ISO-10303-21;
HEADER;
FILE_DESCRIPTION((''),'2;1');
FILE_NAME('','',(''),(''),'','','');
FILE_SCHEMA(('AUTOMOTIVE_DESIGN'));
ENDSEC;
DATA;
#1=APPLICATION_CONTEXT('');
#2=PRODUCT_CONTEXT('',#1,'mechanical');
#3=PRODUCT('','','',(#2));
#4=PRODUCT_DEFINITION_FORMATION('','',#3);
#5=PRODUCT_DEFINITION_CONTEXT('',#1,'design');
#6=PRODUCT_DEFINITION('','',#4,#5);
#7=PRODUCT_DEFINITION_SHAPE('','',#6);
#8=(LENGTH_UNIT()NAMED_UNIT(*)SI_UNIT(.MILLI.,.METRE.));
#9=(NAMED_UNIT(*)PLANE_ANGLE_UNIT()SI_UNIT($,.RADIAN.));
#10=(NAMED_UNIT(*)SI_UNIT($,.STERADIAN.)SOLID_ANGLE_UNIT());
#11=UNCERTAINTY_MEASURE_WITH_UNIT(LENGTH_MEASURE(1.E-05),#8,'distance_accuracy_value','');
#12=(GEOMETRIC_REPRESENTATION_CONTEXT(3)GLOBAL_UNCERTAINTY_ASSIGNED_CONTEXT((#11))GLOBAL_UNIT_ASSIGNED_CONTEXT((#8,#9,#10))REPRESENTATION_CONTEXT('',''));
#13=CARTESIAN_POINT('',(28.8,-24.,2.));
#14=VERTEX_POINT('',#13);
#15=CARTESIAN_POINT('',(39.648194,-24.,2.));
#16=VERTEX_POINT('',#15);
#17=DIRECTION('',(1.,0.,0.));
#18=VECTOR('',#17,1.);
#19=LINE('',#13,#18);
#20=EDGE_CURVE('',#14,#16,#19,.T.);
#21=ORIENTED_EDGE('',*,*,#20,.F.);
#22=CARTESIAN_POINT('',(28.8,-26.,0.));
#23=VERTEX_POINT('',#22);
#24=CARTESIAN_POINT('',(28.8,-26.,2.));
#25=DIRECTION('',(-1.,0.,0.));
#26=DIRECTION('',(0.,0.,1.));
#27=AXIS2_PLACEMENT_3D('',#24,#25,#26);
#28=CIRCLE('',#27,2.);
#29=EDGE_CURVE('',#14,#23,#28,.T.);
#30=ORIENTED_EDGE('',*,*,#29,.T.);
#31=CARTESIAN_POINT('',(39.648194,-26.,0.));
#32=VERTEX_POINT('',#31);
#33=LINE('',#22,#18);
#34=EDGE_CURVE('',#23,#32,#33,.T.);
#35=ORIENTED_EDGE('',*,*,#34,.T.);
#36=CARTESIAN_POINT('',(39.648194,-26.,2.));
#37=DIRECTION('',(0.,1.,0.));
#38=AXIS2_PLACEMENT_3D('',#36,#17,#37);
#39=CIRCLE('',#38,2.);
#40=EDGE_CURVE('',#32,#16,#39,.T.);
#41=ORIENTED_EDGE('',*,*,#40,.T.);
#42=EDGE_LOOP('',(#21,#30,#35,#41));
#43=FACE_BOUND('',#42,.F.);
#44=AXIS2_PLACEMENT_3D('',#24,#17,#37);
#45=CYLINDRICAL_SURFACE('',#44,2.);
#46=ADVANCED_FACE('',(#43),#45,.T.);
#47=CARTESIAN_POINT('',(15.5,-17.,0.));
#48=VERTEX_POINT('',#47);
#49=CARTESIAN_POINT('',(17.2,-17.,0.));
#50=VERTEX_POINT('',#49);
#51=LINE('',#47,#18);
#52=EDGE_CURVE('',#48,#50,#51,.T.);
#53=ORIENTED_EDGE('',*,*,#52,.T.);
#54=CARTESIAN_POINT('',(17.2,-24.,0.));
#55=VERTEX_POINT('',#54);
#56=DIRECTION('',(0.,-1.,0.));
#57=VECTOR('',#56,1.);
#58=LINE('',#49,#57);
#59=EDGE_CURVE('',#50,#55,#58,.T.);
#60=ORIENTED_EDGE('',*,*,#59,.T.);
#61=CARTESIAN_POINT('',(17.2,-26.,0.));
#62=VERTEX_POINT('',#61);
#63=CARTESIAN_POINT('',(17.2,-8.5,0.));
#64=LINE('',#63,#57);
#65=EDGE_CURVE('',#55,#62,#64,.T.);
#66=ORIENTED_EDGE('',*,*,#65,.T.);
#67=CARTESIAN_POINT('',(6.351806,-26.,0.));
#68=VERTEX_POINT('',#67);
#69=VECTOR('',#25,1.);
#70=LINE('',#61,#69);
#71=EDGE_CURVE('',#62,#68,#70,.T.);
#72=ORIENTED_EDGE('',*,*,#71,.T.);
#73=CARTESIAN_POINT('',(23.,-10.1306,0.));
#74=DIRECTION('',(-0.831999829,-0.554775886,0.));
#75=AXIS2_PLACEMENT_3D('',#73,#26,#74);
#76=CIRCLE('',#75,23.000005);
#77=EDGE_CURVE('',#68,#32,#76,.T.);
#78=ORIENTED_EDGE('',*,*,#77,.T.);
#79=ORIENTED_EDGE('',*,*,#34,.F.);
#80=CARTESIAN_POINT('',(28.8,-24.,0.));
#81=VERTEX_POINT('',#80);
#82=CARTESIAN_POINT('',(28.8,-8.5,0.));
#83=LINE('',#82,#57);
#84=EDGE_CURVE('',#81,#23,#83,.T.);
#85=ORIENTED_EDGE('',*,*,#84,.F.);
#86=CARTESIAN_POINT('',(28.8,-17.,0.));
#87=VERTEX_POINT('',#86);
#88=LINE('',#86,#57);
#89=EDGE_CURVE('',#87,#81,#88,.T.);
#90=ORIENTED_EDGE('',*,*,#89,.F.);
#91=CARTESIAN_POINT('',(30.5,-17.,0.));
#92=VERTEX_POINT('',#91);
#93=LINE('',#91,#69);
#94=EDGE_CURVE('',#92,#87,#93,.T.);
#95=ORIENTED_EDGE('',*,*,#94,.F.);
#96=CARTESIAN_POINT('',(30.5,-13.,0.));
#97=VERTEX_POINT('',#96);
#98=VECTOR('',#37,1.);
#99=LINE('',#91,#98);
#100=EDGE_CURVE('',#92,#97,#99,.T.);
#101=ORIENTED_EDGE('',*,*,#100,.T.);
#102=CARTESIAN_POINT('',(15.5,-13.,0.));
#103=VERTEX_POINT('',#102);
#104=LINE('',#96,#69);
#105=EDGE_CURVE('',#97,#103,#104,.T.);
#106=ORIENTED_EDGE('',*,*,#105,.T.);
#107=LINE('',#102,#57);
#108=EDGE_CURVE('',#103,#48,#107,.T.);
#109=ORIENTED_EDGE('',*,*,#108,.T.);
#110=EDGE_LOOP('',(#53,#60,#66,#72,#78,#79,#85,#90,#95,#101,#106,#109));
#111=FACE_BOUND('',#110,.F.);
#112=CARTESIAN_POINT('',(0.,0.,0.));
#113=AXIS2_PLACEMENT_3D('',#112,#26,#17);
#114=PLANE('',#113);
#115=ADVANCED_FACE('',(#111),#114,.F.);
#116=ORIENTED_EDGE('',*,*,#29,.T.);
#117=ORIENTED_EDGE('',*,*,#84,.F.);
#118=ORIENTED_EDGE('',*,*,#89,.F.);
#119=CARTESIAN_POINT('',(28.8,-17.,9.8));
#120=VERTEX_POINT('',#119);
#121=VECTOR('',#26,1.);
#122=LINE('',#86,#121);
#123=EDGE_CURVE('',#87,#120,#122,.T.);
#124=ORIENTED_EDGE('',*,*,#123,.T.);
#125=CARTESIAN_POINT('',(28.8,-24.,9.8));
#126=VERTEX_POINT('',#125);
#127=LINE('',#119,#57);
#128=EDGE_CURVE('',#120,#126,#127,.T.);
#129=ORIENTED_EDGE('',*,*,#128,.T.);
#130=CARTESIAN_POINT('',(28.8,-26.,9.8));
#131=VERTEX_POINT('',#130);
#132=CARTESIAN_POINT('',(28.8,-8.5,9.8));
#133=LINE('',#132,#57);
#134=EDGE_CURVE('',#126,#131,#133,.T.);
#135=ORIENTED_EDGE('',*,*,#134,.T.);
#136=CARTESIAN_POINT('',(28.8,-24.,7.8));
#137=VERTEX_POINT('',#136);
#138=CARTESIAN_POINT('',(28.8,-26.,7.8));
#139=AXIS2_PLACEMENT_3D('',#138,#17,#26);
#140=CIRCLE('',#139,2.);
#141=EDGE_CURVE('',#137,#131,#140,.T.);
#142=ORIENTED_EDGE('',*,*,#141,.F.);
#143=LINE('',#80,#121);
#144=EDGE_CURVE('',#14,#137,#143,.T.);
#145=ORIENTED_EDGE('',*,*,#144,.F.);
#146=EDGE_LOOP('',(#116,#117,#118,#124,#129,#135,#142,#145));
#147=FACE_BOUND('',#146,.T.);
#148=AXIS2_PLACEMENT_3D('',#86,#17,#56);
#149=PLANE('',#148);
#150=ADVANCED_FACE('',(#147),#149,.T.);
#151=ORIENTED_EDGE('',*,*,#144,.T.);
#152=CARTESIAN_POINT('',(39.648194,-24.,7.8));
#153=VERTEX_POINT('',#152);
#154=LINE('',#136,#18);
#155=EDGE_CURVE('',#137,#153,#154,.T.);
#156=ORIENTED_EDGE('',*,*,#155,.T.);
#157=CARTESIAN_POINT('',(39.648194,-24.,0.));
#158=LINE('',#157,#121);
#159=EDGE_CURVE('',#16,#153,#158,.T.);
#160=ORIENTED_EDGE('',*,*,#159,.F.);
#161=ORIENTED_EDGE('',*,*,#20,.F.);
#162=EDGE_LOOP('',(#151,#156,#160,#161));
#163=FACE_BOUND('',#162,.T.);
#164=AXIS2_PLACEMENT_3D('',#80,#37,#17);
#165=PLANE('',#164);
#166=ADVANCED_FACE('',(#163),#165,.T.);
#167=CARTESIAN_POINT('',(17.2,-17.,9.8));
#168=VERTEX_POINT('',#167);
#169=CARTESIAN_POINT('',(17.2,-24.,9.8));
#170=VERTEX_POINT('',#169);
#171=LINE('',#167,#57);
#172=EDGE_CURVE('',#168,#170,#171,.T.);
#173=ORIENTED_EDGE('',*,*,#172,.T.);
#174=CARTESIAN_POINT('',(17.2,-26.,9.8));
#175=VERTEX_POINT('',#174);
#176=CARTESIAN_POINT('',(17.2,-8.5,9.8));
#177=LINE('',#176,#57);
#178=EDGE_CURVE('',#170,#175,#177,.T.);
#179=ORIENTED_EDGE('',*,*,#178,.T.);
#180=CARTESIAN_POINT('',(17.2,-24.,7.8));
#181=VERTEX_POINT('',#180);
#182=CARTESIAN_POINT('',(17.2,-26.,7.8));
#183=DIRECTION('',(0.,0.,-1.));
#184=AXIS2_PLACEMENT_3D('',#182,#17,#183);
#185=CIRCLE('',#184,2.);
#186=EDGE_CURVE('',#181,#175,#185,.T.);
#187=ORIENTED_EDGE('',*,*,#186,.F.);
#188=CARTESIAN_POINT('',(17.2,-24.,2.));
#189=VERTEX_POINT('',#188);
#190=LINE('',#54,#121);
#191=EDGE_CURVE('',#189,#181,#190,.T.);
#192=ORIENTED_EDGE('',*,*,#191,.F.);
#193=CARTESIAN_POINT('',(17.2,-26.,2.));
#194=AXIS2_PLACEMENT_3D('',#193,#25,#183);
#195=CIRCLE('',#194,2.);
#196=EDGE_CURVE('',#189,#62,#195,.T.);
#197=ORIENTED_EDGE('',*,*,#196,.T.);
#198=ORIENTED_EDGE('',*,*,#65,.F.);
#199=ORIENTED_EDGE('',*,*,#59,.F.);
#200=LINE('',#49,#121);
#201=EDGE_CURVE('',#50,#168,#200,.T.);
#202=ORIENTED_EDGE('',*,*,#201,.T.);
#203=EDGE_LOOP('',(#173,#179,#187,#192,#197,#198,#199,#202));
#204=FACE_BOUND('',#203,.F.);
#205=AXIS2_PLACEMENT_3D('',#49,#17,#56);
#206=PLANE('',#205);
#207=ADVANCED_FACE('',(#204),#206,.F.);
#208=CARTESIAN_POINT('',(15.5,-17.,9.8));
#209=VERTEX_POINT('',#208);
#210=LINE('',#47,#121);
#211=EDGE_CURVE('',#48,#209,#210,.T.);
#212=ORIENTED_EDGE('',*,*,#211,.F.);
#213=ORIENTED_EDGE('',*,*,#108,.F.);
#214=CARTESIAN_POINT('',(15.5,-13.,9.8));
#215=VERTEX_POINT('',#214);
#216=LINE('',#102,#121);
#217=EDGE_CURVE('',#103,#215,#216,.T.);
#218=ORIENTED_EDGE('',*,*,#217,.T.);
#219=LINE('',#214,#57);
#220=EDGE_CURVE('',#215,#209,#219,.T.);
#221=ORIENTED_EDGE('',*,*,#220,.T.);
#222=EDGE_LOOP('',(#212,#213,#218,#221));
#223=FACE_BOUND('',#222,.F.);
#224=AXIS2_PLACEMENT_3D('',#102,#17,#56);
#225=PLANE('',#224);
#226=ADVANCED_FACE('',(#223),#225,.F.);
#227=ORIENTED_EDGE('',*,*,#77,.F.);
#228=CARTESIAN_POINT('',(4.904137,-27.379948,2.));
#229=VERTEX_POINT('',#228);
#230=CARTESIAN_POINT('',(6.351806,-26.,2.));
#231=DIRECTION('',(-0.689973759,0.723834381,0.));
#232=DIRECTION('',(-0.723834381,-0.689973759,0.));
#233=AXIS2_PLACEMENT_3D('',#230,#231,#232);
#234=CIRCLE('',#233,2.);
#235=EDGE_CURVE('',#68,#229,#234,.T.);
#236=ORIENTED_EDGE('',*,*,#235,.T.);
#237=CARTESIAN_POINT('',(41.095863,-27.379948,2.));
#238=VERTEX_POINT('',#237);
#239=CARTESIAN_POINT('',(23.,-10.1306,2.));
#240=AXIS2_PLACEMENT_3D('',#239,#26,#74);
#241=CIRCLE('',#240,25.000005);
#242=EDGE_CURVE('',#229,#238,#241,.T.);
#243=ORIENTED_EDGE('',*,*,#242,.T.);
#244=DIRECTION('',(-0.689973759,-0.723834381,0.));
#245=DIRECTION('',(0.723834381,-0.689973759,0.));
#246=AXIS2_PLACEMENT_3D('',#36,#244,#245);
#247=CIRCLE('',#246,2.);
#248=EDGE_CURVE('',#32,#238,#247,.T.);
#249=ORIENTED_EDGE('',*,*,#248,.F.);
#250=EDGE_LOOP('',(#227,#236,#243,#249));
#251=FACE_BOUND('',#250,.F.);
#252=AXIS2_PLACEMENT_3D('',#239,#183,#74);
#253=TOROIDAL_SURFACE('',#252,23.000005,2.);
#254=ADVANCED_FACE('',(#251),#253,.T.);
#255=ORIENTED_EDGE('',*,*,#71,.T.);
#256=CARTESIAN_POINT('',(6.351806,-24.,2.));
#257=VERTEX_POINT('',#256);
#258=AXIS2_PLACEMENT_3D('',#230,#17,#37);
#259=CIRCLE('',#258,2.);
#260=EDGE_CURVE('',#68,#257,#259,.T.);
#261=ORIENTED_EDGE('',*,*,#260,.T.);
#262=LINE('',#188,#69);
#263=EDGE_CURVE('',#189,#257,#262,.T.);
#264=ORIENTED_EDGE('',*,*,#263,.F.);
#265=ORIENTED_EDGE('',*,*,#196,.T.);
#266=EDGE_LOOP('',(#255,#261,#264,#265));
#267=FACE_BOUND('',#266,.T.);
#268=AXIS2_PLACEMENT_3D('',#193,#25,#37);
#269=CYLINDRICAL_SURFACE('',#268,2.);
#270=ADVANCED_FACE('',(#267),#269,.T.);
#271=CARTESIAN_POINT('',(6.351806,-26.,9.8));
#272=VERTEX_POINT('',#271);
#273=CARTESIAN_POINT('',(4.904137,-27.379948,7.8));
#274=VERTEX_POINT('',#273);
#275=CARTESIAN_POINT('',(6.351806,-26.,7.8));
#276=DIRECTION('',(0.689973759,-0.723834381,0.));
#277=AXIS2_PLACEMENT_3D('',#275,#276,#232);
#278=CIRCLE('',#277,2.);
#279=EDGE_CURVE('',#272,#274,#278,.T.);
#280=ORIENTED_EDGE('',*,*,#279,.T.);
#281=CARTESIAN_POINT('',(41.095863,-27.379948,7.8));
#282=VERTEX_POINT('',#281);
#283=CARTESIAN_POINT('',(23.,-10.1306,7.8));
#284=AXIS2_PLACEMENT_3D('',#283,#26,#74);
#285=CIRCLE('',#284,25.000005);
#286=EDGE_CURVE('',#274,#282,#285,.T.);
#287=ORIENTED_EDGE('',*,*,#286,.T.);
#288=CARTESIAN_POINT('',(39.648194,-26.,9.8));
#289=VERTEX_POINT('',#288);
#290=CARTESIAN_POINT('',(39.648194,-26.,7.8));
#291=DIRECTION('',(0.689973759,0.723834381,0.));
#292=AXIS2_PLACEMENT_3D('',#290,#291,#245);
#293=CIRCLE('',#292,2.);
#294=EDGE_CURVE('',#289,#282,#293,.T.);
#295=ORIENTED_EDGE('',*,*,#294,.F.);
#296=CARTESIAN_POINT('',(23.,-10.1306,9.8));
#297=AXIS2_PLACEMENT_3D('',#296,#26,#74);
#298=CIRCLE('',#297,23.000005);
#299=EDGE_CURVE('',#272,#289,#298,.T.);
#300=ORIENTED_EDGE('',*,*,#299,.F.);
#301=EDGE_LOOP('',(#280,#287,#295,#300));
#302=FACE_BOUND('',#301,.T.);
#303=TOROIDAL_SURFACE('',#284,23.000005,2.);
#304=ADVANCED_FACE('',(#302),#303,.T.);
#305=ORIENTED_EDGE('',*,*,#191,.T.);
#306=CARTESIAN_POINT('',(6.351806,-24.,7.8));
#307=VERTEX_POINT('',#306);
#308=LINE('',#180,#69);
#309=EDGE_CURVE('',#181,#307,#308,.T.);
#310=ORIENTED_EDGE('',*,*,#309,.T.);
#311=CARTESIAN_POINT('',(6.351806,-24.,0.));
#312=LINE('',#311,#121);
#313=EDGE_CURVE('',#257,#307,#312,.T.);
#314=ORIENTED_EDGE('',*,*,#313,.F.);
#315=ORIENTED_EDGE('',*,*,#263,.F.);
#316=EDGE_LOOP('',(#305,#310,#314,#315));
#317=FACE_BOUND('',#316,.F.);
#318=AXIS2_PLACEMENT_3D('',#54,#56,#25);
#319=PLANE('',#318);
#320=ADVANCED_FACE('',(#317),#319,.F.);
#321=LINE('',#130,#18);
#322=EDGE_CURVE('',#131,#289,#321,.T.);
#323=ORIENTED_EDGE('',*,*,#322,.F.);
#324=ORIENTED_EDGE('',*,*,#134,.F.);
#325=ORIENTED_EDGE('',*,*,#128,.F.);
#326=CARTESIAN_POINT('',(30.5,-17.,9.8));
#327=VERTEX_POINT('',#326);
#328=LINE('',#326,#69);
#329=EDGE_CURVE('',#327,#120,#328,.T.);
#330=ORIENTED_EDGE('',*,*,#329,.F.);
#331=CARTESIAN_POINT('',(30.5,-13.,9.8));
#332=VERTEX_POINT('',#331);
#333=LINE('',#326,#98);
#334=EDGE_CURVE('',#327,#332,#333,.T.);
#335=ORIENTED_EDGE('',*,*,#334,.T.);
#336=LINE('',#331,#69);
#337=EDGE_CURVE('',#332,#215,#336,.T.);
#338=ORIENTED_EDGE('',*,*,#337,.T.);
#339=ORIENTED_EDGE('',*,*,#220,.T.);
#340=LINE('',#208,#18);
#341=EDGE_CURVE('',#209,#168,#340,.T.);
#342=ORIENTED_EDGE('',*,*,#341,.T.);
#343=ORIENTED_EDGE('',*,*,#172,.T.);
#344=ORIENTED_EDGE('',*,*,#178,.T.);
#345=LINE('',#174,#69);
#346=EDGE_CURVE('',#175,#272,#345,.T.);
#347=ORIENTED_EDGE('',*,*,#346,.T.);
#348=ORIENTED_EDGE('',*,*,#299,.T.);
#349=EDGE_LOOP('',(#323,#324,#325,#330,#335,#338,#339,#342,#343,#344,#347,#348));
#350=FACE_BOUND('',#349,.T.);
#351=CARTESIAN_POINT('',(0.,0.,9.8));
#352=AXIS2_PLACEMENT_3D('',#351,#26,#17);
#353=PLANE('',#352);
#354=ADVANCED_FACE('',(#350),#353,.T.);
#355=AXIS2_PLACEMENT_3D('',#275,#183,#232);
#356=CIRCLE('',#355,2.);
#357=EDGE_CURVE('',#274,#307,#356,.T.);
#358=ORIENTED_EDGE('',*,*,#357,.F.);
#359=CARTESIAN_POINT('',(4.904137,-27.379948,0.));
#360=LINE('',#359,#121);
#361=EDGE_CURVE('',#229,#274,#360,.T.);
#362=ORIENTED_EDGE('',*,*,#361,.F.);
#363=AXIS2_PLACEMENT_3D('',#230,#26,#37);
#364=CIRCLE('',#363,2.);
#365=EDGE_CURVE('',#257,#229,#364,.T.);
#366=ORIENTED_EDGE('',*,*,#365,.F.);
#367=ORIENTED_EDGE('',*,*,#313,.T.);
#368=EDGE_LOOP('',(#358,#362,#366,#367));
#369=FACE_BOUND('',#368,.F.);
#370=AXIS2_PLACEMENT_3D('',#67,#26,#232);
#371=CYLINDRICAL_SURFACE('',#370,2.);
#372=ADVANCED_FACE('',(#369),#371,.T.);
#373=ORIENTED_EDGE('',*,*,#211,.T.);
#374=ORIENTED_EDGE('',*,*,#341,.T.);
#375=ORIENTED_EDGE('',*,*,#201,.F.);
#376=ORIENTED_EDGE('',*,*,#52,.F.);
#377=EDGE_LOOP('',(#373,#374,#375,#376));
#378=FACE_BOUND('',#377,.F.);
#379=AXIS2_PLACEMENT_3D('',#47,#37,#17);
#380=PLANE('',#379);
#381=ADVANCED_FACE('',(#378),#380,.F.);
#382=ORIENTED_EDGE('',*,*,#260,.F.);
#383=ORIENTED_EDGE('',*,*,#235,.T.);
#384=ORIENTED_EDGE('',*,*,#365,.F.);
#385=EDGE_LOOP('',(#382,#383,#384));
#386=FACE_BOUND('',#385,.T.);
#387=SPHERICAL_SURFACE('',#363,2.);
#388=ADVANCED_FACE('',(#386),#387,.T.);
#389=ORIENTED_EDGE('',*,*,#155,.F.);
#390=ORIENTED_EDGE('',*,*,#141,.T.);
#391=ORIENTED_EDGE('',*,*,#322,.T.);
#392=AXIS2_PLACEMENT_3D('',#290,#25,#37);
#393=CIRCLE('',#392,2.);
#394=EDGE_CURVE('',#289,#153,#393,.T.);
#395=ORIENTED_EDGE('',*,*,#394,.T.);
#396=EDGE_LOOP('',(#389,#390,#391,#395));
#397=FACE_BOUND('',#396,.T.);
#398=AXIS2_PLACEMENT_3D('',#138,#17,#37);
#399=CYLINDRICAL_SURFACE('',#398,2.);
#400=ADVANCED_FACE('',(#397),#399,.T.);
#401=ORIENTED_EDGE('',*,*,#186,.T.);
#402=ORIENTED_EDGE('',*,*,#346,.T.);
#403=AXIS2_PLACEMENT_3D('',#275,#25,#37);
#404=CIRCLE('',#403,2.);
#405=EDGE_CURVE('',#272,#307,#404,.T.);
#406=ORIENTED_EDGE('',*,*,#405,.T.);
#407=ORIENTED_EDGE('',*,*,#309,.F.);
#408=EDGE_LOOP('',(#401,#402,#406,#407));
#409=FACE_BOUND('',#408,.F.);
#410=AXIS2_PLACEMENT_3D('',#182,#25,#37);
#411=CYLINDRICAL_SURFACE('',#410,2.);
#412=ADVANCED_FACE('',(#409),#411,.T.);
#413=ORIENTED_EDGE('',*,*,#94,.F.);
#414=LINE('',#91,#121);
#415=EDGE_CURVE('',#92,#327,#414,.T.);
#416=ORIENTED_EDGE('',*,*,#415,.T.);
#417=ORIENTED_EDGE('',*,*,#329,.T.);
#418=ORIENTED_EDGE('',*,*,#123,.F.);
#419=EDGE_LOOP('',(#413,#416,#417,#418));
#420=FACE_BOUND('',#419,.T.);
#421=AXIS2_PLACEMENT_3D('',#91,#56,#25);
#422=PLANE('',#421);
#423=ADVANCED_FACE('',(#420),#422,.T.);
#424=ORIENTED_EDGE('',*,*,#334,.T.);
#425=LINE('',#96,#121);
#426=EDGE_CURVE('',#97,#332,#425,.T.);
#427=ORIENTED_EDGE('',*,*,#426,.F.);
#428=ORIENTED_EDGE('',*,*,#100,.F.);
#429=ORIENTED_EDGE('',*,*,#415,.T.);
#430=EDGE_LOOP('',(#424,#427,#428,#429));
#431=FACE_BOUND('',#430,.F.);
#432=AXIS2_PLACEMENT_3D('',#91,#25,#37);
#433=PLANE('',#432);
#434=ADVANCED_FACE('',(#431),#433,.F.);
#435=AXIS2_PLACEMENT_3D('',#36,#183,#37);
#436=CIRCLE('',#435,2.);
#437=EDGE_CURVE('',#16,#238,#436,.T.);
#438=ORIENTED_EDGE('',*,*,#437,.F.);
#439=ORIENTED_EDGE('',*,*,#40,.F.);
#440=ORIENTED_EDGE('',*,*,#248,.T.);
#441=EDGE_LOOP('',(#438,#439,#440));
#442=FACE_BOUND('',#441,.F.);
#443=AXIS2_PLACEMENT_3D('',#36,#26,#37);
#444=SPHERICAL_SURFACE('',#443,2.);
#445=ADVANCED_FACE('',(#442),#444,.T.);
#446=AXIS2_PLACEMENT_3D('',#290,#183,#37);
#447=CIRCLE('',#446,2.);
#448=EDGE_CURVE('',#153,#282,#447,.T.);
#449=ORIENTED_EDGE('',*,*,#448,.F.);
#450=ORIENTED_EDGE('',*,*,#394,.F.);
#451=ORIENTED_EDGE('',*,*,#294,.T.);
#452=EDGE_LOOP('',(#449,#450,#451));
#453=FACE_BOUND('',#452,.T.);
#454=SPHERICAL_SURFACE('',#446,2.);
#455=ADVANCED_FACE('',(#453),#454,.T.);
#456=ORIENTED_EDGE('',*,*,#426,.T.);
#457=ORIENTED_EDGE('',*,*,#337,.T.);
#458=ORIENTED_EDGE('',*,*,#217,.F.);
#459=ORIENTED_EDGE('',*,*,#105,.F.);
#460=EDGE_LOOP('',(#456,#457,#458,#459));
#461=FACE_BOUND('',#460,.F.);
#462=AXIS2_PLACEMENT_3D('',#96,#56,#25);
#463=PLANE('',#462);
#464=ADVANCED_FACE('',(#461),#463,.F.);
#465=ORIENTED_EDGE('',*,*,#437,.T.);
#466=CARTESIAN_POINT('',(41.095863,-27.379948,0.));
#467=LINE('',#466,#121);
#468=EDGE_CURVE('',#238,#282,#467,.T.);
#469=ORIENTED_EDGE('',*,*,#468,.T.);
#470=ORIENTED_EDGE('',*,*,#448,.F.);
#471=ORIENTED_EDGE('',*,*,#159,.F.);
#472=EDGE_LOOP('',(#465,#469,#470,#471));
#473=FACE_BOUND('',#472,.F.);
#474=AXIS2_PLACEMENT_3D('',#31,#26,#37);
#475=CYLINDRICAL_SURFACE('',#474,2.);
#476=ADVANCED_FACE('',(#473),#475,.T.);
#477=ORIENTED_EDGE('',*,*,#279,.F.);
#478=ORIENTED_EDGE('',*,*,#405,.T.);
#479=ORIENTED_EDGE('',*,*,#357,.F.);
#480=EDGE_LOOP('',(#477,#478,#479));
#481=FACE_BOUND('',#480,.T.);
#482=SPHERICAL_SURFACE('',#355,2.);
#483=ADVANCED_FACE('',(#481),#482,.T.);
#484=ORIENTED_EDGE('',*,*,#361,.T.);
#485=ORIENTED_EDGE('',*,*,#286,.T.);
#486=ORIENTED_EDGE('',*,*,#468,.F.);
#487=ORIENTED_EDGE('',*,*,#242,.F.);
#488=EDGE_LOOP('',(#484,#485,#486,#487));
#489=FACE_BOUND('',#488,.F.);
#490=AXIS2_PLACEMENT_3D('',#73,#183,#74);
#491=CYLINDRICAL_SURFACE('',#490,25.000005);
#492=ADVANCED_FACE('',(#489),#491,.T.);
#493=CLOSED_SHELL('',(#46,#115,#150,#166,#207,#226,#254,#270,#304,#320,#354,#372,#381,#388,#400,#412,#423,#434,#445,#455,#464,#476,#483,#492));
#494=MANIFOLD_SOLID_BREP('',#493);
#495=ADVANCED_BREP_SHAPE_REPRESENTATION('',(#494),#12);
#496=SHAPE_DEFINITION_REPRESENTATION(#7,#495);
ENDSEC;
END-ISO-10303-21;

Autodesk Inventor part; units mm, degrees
ref_plane "YZ Plane" through (0, 0, 0) normal (1, 0, 0) x (0, 1, 0)
ref_plane "XZ Plane" through (0, 0, 0) normal (0, 1, 0) x (-1, 0, 0)
sketch "Sketch1" plane through (0, 0, 0) normal (0, 0, 1) x (1, 0, 0)
  line L0 (-32, -17) -> (17, -17) construction
  line L1 (17, -17) -> (17, -20) construction
  line L2 (29, -20) -> (17, -20) construction
  line L3 (29, -20) -> (29, -17) construction
  line L4 (29, -17) -> (32, -17) construction
  line L5 (32, 17) -> (-32, 17) construction
  line L6 (-32, 17) -> (-32, -17) construction
  circle A0 centre (8, 5) radius 1.65 construction
  circle A1 centre (-14.3, -5.3) radius 1.65 construction
  line L7 (-4.7576, -10.3472) -> (24.4807, -12.9053) construction
  line L8 (24.4807, -12.9053) -> (24.5243, -12.4072) construction
  line L9 (30.5, -17) -> (30.5, -13)
  line L10 (30.5, -13) -> (15.5, -13)
  line L11 (15.5, -13) -> (15.5, -17)
  line L12 (17.2, -17) -> (17.2, -24)
  line L13 (17.2, -24) -> (2.2, -24)
  line L14 (30.5, -17) -> (28.8, -17)
  line L15 (28.8, -17) -> (28.8, -24)
  line L16 (28.8, -24) -> (43.8, -24)
  line L17 (15.5, -17) -> (17.2, -17)
  arc A2 (2.2, -24) -> (43.8, -24) centre (23, -10.1306) ccw
  line L18 (32, -17) -> (32, 17) projected
  point P0 (0, 0)
  dimension "d0" = 0.2
  dimension "d1" = 0.2
  dimension "d2" = 4
  dimension "d3" = 1.7
  dimension "d4" = 1.7
  dimension "d5" = 4
  dimension "d6" = 15
  dimension "d7" = 15
  dimension "d8" = 25
ref_plane "Work Plane1" through (-35, -20, 9.99) normal (0, 0, -1) x (0, 1, 0)
extrude "Extrusion1" add sketch "Sketch1" along normal blind 9.8
fillet "Fillet1" radius 2 8 edges at (23, -35.1306, 0) (2.2, -24, 4.9) (23, -35.1306, 9.8) (43.8, -24, 4.9) (36.3, -24, 0) (9.7, -24, 0) (9.7, -24, 9.8) (36.3, -24, 9.8)
equation "\"d4\" = d3"
equation "\"d7\" = d6"
properties part number "bumper rod"
